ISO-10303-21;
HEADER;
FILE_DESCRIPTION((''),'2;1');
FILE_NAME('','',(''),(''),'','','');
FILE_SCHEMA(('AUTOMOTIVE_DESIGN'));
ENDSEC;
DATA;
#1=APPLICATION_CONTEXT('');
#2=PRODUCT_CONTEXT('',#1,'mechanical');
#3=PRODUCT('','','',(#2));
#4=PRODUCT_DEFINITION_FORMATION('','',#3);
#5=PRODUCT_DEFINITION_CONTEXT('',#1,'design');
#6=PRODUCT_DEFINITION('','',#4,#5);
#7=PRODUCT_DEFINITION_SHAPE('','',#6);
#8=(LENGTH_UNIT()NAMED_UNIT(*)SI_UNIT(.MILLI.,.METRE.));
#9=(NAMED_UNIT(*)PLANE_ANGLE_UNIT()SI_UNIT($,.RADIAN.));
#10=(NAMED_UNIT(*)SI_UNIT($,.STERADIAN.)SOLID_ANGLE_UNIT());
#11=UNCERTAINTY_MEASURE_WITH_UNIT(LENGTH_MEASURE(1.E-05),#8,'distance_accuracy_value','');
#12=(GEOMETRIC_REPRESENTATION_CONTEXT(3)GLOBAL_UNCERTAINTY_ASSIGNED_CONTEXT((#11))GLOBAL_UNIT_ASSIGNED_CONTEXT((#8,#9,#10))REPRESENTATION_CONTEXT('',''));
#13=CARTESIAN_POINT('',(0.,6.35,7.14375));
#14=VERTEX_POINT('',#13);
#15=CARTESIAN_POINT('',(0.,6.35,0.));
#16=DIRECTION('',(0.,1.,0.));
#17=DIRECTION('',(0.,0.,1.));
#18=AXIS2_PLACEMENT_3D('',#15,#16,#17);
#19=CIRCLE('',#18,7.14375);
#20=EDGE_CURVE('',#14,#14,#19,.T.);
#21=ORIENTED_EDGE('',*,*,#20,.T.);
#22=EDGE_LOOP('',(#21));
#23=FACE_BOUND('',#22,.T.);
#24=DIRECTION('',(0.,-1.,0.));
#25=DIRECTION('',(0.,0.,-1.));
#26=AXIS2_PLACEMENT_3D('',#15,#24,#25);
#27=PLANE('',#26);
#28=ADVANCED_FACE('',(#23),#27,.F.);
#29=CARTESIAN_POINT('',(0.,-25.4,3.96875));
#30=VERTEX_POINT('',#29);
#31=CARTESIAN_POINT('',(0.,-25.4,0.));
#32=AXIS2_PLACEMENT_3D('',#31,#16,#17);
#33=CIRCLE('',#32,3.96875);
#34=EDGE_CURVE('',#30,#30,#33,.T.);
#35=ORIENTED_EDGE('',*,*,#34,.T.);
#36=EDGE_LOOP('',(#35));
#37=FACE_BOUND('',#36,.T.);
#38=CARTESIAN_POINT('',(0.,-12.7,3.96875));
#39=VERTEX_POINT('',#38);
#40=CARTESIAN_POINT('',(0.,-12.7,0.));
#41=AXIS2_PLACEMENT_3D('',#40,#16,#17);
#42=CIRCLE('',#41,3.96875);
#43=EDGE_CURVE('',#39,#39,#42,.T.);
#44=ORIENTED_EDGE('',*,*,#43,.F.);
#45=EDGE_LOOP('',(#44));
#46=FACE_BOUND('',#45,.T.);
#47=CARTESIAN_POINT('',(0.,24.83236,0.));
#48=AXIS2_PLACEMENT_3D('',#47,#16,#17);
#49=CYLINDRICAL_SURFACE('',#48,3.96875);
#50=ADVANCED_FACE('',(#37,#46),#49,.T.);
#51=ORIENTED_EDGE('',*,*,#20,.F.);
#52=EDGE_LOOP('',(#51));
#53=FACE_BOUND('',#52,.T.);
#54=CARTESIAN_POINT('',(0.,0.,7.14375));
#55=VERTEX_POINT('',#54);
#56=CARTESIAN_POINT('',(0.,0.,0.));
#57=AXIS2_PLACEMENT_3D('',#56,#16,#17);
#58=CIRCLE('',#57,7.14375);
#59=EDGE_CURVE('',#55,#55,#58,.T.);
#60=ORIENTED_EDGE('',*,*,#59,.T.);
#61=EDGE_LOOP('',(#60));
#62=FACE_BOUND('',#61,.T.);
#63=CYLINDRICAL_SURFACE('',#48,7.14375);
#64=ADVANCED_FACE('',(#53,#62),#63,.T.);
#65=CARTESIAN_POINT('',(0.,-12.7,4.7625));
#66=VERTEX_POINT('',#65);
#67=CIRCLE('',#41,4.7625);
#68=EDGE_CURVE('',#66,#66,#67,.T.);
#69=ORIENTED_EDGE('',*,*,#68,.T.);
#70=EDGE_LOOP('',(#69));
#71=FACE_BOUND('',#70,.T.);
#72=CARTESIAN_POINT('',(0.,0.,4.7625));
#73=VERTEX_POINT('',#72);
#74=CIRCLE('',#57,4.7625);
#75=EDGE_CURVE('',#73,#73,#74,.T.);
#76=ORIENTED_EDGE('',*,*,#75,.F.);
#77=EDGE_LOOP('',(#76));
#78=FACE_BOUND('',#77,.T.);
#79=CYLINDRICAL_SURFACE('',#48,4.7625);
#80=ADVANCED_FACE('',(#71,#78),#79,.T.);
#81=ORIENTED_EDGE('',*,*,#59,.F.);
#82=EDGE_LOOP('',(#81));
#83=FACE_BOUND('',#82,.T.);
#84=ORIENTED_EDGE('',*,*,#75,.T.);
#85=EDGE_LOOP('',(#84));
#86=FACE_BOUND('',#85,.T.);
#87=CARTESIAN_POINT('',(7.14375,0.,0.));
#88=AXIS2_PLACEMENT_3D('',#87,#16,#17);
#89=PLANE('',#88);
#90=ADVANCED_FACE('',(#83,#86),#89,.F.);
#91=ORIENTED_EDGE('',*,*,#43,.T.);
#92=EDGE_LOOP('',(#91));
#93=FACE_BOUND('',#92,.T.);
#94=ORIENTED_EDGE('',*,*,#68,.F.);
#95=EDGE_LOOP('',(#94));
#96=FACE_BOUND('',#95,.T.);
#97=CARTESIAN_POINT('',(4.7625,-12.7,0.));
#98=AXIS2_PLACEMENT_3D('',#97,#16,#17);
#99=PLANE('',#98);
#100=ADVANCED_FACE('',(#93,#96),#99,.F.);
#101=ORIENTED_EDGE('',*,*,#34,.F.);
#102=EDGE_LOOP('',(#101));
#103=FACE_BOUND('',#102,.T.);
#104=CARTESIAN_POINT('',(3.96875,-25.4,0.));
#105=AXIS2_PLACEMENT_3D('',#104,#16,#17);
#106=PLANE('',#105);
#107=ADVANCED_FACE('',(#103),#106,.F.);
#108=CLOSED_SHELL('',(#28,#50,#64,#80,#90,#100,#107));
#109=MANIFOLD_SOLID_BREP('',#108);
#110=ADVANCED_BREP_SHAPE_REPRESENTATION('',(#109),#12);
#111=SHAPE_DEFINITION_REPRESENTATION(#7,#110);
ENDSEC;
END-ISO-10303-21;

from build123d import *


with BuildPart() as part:
    # profile → Base-Revolve (revolve)
    with BuildSketch(Plane.XY):
        Polygon((0, 6.35), (7.14375, 6.35), (7.14375, 0), (4.7625, 0), (4.7625, -12.7), (3.96875, -12.7), (3.96875, -25.4), (0, -25.4), align=None)
    revolve(axis=Axis((0, 24.832359952, 0), (0, -1, 0)))


solid = part.part
